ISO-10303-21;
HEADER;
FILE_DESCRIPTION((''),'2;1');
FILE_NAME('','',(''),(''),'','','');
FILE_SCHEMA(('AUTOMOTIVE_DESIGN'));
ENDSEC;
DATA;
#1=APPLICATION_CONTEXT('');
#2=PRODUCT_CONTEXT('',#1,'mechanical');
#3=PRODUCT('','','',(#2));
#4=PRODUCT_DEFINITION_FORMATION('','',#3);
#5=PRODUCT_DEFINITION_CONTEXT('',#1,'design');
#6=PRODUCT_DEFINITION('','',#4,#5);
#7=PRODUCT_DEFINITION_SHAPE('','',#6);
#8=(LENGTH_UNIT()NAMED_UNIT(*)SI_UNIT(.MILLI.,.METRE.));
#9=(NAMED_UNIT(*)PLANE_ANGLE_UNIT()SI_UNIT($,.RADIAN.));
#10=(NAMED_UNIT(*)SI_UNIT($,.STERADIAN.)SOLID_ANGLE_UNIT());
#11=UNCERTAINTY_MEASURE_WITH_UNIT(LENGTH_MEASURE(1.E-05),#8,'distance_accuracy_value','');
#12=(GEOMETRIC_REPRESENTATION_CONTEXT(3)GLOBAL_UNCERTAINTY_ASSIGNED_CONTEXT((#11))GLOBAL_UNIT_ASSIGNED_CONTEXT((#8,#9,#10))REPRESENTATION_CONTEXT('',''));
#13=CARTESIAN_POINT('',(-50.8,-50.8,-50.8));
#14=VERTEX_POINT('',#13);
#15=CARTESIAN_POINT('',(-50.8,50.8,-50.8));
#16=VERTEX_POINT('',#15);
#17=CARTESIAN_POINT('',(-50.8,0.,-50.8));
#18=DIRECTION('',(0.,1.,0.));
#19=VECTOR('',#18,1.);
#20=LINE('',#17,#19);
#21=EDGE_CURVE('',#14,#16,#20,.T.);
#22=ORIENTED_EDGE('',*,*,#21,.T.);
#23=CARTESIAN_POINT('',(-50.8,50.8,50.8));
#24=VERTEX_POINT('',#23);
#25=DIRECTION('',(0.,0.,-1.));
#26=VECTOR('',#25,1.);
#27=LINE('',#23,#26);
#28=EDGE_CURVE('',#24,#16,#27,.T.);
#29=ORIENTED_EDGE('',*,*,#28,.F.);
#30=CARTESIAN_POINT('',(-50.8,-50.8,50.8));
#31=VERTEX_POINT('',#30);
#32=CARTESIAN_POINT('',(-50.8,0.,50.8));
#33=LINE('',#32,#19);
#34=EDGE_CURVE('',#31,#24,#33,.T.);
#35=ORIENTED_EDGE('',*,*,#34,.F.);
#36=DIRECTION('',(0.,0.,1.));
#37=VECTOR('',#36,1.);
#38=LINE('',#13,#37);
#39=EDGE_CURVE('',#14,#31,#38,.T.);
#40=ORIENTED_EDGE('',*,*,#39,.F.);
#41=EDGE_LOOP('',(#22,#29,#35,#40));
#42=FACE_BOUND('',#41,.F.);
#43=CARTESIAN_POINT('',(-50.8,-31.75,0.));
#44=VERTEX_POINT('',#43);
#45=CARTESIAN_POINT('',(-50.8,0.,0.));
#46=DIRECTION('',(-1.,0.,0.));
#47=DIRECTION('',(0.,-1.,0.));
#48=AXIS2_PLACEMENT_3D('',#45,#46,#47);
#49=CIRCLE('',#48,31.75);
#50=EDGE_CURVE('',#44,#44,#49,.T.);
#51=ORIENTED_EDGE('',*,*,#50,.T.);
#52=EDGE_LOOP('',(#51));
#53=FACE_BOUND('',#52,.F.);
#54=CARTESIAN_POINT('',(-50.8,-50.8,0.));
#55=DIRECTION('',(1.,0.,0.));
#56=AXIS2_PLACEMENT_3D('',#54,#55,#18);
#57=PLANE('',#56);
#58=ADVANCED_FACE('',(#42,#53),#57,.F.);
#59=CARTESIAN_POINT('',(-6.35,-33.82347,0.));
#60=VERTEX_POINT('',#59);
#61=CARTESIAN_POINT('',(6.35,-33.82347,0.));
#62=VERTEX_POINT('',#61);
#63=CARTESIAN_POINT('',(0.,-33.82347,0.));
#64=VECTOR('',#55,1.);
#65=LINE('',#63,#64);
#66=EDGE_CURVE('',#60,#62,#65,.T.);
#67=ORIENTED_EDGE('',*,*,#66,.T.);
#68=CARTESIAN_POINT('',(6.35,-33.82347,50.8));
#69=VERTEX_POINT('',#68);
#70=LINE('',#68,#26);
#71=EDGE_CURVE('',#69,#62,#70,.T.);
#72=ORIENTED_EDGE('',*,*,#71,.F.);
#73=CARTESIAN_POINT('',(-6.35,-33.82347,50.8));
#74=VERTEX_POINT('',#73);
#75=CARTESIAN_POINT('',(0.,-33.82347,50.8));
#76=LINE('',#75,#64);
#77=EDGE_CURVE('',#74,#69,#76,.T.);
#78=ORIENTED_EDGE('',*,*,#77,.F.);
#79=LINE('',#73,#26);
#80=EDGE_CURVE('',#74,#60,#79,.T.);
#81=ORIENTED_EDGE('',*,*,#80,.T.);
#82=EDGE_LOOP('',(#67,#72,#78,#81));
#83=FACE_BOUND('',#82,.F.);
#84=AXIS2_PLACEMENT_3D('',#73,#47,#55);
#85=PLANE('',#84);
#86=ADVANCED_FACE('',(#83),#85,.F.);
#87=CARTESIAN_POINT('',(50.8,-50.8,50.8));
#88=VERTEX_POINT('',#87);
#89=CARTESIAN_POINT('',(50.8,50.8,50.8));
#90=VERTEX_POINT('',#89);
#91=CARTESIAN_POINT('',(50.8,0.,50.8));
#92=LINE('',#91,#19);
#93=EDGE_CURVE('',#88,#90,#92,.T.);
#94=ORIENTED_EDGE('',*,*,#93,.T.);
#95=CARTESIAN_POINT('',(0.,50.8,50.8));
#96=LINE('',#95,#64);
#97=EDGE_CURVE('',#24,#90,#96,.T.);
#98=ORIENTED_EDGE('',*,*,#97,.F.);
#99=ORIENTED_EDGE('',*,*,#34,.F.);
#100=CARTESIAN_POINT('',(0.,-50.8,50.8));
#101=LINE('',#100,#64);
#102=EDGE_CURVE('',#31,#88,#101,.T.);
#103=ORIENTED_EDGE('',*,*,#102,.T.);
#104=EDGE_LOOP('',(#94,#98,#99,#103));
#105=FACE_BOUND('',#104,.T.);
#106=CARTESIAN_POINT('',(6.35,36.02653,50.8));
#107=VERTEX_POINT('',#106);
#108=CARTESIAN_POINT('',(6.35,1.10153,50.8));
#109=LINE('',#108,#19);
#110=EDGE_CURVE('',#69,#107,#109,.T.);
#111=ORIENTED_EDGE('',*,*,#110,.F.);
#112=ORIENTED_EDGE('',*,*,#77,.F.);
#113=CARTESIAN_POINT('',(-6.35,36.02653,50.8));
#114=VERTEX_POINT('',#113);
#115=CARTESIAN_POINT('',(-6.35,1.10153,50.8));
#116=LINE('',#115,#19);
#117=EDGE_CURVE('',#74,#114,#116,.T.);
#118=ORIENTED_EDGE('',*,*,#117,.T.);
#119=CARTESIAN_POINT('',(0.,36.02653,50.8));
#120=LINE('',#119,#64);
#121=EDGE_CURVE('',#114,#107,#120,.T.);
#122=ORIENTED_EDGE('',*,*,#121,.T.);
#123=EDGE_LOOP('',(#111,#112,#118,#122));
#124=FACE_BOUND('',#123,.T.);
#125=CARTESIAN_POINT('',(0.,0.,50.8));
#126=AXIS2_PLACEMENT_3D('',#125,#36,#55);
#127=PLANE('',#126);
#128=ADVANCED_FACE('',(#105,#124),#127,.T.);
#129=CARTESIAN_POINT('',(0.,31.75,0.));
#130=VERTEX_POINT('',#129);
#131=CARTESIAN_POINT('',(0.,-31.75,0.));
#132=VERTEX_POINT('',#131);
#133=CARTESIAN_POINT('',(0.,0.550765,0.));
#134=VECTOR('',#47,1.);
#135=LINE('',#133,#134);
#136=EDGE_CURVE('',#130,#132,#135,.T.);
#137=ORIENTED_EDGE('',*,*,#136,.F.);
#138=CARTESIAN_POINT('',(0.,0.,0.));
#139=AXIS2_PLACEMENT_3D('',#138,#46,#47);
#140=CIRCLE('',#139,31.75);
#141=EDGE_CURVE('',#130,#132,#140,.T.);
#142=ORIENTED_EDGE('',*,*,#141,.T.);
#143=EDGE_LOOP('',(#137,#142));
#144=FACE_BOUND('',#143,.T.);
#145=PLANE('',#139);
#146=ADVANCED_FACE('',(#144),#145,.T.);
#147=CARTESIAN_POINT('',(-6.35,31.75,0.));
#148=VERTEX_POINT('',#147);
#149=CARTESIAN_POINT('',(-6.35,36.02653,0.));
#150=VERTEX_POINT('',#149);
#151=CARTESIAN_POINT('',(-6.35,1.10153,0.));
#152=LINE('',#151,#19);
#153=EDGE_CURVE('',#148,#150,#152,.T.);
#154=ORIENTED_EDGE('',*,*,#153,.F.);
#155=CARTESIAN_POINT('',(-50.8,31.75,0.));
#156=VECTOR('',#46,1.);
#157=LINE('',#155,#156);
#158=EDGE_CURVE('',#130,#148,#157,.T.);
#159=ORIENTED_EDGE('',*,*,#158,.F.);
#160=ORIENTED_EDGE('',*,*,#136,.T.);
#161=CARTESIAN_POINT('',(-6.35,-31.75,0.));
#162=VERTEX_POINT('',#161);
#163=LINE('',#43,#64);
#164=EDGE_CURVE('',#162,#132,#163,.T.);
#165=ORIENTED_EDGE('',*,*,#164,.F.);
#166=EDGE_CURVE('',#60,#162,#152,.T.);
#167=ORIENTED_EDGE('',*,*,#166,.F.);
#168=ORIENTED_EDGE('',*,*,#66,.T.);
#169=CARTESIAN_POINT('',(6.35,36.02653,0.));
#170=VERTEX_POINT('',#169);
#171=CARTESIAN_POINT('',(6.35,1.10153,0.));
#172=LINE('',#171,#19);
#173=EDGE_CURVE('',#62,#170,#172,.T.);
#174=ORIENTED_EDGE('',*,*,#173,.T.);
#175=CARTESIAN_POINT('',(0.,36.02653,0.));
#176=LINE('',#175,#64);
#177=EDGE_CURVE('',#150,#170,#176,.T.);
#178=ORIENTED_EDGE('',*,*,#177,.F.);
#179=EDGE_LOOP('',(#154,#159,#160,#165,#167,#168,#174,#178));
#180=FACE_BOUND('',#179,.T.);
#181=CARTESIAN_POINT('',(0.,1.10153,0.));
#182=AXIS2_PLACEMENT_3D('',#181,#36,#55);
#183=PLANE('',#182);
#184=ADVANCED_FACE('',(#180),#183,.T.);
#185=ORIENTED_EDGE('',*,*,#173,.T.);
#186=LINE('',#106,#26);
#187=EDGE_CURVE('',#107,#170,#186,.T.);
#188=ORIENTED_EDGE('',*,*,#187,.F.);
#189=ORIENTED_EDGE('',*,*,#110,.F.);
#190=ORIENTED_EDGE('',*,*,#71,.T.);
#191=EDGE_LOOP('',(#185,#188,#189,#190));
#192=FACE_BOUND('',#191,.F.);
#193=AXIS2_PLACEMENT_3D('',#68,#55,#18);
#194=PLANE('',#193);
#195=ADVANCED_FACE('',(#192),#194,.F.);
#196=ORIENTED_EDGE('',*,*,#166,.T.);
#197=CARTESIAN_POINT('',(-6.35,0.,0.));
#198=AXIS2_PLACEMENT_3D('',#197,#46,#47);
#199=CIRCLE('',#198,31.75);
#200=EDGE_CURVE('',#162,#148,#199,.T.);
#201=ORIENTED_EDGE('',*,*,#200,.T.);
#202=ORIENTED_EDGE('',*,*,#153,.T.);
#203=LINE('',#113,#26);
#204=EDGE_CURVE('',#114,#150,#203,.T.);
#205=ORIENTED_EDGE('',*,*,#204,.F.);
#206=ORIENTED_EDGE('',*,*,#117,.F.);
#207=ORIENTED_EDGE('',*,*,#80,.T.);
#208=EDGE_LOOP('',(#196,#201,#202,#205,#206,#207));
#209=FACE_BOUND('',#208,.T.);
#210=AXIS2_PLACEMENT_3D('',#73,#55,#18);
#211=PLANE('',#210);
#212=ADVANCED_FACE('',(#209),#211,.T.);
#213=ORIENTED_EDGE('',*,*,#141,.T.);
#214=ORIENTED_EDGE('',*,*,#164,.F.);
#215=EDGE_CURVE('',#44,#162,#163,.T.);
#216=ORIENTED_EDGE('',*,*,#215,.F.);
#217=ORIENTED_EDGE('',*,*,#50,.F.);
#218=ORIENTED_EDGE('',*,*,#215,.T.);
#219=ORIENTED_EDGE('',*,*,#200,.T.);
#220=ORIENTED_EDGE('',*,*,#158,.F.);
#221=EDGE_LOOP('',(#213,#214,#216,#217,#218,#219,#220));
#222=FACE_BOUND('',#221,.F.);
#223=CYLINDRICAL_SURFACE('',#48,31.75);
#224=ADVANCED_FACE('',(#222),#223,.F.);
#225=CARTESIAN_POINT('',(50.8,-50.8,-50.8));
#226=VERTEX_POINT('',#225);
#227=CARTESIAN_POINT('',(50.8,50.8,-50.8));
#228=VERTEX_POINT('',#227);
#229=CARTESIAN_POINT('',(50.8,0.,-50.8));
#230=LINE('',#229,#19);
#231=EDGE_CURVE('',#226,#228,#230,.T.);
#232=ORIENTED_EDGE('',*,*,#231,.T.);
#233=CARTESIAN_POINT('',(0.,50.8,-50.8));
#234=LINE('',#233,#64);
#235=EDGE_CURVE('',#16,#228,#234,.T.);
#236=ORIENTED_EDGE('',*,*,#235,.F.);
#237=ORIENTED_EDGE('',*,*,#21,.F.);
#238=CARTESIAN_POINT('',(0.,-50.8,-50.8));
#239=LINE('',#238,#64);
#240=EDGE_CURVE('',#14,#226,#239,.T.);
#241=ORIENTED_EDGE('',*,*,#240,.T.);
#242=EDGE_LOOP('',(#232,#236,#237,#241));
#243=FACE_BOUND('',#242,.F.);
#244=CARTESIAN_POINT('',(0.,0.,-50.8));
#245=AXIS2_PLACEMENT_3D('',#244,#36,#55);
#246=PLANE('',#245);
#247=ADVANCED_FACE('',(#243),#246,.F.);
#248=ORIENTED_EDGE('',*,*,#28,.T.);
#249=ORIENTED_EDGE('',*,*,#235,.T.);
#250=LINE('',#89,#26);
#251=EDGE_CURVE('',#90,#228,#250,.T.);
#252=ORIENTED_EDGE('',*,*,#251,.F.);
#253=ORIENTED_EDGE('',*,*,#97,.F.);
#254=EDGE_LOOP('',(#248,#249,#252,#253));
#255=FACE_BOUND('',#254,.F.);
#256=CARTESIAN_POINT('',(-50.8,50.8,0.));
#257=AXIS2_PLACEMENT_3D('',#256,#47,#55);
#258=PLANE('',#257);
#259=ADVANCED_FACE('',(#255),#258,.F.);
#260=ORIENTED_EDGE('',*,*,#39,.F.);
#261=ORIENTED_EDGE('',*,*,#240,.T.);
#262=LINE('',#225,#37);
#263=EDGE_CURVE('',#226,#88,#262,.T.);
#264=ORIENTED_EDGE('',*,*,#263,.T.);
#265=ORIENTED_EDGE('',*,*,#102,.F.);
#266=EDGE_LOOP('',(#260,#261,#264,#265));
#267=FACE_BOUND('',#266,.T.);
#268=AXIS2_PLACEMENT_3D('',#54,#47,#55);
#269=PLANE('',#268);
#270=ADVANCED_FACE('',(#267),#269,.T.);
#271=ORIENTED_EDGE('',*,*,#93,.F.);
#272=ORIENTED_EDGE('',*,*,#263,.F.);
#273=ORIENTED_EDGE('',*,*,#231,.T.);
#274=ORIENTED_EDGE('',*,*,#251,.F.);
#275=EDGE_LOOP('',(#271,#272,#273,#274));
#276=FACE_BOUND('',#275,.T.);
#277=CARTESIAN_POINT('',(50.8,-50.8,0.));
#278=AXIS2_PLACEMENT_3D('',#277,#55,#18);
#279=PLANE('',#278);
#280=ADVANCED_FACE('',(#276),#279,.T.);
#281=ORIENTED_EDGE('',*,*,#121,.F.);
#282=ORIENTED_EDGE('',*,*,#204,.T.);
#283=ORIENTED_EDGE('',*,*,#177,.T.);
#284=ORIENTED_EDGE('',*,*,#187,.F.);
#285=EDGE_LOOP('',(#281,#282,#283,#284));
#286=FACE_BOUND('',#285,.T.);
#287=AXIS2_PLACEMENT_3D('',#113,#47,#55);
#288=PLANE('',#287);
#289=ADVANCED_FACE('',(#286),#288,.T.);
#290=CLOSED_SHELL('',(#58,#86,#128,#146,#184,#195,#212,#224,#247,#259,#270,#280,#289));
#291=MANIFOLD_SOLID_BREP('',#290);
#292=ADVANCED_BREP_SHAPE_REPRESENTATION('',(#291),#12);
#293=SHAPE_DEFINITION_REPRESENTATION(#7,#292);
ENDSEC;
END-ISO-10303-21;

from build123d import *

# Parameters (mm, degrees)
F0_W     = 101.6
F0_H     = 101.6
F1_DEPTH = 50.8
F2_W     = 12.7
F2_H     = 69.85
F3_DEPTH = 50.8
F4_R     = 31.75
F5_DEPTH = 50.8


with BuildPart() as f1:
    # F0 (on Top) → F1 (new body, symmetric)
    with BuildSketch(Plane.XY):
        Rectangle(F0_W, F0_H)
    extrude(amount=F1_DEPTH, both=True)

    # F2 (on face) → F3 (cut)
    with BuildSketch(Plane.XY.offset(50.8)):
        with Locations((0, 1.10153)):
            Rectangle(F2_W, F2_H)
    extrude(amount=-F3_DEPTH, mode=Mode.SUBTRACT)

    # F4 (on face) → F5 (cut)
    with BuildSketch(Plane(origin=(-50.8, 0, 0), x_dir=(0, -1, 0), z_dir=(-1, 0, 0))):
        Circle(F4_R)
    extrude(amount=-F5_DEPTH, mode=Mode.SUBTRACT)


solid = f1.part
